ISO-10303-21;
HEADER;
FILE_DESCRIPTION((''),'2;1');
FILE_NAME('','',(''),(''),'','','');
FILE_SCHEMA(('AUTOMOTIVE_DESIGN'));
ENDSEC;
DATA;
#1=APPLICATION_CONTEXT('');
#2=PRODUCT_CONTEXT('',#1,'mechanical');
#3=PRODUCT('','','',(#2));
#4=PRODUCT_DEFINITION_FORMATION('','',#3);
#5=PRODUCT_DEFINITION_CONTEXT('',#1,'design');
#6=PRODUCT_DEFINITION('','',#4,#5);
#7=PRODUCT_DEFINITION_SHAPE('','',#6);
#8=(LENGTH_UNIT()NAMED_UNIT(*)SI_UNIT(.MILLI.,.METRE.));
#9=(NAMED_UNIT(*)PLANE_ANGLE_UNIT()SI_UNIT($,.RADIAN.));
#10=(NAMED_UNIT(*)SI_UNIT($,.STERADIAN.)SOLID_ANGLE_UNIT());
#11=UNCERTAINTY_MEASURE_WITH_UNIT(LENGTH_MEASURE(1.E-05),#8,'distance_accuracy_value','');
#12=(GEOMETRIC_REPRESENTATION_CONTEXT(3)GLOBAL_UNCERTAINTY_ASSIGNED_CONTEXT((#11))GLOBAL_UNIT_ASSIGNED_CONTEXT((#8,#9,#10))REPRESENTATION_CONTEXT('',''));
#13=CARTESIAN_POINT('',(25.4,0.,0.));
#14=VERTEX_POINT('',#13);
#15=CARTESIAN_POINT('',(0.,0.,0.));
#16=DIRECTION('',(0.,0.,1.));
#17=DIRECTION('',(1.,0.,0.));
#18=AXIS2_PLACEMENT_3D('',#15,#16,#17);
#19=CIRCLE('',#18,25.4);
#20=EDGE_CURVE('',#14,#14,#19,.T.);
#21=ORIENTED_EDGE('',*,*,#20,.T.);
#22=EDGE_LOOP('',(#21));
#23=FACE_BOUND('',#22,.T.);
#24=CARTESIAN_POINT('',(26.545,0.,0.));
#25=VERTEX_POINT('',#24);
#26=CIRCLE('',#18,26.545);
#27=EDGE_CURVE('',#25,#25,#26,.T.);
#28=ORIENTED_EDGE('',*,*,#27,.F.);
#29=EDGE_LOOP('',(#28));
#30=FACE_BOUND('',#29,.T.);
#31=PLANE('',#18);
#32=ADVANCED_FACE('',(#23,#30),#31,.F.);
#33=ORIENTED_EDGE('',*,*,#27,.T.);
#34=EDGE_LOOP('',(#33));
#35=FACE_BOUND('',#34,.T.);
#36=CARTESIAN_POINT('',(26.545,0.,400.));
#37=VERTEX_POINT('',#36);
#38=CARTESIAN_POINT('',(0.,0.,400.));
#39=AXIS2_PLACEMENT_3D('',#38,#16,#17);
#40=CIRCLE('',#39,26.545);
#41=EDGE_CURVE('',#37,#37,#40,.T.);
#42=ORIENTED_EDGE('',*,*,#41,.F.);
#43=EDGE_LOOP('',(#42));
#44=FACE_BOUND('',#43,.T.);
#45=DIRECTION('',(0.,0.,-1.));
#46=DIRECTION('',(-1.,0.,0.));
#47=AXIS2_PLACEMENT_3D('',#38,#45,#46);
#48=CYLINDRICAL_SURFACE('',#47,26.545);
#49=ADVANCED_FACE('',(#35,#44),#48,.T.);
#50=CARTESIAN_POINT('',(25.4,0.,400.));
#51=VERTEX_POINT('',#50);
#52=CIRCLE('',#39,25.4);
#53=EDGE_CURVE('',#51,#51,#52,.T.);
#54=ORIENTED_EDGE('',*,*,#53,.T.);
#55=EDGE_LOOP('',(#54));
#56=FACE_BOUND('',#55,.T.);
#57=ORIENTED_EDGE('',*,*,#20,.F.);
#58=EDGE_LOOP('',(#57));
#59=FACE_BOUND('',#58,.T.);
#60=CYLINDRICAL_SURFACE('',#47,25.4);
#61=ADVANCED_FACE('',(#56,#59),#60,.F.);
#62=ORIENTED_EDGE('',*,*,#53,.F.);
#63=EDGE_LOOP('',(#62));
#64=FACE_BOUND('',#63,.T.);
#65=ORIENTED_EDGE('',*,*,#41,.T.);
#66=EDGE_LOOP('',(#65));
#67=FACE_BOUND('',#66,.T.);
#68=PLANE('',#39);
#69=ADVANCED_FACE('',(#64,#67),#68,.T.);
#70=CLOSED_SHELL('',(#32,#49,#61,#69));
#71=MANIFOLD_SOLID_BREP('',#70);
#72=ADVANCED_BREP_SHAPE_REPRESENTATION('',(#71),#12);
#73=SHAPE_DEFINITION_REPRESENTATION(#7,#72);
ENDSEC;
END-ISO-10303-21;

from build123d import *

# Parameters (mm, degrees)
SKETCH1_R           = 26.545
SKETCH1_R_2         = 25.4
BOSS_EXTRUDE1_DEPTH = 400


with BuildPart() as part:
    # Sketch1 → Boss-Extrude1 (new body)
    with BuildSketch(Plane.XY):
        Circle(SKETCH1_R)
        Circle(SKETCH1_R_2, mode=Mode.SUBTRACT)
    extrude(amount=BOSS_EXTRUDE1_DEPTH)


solid = part.part
